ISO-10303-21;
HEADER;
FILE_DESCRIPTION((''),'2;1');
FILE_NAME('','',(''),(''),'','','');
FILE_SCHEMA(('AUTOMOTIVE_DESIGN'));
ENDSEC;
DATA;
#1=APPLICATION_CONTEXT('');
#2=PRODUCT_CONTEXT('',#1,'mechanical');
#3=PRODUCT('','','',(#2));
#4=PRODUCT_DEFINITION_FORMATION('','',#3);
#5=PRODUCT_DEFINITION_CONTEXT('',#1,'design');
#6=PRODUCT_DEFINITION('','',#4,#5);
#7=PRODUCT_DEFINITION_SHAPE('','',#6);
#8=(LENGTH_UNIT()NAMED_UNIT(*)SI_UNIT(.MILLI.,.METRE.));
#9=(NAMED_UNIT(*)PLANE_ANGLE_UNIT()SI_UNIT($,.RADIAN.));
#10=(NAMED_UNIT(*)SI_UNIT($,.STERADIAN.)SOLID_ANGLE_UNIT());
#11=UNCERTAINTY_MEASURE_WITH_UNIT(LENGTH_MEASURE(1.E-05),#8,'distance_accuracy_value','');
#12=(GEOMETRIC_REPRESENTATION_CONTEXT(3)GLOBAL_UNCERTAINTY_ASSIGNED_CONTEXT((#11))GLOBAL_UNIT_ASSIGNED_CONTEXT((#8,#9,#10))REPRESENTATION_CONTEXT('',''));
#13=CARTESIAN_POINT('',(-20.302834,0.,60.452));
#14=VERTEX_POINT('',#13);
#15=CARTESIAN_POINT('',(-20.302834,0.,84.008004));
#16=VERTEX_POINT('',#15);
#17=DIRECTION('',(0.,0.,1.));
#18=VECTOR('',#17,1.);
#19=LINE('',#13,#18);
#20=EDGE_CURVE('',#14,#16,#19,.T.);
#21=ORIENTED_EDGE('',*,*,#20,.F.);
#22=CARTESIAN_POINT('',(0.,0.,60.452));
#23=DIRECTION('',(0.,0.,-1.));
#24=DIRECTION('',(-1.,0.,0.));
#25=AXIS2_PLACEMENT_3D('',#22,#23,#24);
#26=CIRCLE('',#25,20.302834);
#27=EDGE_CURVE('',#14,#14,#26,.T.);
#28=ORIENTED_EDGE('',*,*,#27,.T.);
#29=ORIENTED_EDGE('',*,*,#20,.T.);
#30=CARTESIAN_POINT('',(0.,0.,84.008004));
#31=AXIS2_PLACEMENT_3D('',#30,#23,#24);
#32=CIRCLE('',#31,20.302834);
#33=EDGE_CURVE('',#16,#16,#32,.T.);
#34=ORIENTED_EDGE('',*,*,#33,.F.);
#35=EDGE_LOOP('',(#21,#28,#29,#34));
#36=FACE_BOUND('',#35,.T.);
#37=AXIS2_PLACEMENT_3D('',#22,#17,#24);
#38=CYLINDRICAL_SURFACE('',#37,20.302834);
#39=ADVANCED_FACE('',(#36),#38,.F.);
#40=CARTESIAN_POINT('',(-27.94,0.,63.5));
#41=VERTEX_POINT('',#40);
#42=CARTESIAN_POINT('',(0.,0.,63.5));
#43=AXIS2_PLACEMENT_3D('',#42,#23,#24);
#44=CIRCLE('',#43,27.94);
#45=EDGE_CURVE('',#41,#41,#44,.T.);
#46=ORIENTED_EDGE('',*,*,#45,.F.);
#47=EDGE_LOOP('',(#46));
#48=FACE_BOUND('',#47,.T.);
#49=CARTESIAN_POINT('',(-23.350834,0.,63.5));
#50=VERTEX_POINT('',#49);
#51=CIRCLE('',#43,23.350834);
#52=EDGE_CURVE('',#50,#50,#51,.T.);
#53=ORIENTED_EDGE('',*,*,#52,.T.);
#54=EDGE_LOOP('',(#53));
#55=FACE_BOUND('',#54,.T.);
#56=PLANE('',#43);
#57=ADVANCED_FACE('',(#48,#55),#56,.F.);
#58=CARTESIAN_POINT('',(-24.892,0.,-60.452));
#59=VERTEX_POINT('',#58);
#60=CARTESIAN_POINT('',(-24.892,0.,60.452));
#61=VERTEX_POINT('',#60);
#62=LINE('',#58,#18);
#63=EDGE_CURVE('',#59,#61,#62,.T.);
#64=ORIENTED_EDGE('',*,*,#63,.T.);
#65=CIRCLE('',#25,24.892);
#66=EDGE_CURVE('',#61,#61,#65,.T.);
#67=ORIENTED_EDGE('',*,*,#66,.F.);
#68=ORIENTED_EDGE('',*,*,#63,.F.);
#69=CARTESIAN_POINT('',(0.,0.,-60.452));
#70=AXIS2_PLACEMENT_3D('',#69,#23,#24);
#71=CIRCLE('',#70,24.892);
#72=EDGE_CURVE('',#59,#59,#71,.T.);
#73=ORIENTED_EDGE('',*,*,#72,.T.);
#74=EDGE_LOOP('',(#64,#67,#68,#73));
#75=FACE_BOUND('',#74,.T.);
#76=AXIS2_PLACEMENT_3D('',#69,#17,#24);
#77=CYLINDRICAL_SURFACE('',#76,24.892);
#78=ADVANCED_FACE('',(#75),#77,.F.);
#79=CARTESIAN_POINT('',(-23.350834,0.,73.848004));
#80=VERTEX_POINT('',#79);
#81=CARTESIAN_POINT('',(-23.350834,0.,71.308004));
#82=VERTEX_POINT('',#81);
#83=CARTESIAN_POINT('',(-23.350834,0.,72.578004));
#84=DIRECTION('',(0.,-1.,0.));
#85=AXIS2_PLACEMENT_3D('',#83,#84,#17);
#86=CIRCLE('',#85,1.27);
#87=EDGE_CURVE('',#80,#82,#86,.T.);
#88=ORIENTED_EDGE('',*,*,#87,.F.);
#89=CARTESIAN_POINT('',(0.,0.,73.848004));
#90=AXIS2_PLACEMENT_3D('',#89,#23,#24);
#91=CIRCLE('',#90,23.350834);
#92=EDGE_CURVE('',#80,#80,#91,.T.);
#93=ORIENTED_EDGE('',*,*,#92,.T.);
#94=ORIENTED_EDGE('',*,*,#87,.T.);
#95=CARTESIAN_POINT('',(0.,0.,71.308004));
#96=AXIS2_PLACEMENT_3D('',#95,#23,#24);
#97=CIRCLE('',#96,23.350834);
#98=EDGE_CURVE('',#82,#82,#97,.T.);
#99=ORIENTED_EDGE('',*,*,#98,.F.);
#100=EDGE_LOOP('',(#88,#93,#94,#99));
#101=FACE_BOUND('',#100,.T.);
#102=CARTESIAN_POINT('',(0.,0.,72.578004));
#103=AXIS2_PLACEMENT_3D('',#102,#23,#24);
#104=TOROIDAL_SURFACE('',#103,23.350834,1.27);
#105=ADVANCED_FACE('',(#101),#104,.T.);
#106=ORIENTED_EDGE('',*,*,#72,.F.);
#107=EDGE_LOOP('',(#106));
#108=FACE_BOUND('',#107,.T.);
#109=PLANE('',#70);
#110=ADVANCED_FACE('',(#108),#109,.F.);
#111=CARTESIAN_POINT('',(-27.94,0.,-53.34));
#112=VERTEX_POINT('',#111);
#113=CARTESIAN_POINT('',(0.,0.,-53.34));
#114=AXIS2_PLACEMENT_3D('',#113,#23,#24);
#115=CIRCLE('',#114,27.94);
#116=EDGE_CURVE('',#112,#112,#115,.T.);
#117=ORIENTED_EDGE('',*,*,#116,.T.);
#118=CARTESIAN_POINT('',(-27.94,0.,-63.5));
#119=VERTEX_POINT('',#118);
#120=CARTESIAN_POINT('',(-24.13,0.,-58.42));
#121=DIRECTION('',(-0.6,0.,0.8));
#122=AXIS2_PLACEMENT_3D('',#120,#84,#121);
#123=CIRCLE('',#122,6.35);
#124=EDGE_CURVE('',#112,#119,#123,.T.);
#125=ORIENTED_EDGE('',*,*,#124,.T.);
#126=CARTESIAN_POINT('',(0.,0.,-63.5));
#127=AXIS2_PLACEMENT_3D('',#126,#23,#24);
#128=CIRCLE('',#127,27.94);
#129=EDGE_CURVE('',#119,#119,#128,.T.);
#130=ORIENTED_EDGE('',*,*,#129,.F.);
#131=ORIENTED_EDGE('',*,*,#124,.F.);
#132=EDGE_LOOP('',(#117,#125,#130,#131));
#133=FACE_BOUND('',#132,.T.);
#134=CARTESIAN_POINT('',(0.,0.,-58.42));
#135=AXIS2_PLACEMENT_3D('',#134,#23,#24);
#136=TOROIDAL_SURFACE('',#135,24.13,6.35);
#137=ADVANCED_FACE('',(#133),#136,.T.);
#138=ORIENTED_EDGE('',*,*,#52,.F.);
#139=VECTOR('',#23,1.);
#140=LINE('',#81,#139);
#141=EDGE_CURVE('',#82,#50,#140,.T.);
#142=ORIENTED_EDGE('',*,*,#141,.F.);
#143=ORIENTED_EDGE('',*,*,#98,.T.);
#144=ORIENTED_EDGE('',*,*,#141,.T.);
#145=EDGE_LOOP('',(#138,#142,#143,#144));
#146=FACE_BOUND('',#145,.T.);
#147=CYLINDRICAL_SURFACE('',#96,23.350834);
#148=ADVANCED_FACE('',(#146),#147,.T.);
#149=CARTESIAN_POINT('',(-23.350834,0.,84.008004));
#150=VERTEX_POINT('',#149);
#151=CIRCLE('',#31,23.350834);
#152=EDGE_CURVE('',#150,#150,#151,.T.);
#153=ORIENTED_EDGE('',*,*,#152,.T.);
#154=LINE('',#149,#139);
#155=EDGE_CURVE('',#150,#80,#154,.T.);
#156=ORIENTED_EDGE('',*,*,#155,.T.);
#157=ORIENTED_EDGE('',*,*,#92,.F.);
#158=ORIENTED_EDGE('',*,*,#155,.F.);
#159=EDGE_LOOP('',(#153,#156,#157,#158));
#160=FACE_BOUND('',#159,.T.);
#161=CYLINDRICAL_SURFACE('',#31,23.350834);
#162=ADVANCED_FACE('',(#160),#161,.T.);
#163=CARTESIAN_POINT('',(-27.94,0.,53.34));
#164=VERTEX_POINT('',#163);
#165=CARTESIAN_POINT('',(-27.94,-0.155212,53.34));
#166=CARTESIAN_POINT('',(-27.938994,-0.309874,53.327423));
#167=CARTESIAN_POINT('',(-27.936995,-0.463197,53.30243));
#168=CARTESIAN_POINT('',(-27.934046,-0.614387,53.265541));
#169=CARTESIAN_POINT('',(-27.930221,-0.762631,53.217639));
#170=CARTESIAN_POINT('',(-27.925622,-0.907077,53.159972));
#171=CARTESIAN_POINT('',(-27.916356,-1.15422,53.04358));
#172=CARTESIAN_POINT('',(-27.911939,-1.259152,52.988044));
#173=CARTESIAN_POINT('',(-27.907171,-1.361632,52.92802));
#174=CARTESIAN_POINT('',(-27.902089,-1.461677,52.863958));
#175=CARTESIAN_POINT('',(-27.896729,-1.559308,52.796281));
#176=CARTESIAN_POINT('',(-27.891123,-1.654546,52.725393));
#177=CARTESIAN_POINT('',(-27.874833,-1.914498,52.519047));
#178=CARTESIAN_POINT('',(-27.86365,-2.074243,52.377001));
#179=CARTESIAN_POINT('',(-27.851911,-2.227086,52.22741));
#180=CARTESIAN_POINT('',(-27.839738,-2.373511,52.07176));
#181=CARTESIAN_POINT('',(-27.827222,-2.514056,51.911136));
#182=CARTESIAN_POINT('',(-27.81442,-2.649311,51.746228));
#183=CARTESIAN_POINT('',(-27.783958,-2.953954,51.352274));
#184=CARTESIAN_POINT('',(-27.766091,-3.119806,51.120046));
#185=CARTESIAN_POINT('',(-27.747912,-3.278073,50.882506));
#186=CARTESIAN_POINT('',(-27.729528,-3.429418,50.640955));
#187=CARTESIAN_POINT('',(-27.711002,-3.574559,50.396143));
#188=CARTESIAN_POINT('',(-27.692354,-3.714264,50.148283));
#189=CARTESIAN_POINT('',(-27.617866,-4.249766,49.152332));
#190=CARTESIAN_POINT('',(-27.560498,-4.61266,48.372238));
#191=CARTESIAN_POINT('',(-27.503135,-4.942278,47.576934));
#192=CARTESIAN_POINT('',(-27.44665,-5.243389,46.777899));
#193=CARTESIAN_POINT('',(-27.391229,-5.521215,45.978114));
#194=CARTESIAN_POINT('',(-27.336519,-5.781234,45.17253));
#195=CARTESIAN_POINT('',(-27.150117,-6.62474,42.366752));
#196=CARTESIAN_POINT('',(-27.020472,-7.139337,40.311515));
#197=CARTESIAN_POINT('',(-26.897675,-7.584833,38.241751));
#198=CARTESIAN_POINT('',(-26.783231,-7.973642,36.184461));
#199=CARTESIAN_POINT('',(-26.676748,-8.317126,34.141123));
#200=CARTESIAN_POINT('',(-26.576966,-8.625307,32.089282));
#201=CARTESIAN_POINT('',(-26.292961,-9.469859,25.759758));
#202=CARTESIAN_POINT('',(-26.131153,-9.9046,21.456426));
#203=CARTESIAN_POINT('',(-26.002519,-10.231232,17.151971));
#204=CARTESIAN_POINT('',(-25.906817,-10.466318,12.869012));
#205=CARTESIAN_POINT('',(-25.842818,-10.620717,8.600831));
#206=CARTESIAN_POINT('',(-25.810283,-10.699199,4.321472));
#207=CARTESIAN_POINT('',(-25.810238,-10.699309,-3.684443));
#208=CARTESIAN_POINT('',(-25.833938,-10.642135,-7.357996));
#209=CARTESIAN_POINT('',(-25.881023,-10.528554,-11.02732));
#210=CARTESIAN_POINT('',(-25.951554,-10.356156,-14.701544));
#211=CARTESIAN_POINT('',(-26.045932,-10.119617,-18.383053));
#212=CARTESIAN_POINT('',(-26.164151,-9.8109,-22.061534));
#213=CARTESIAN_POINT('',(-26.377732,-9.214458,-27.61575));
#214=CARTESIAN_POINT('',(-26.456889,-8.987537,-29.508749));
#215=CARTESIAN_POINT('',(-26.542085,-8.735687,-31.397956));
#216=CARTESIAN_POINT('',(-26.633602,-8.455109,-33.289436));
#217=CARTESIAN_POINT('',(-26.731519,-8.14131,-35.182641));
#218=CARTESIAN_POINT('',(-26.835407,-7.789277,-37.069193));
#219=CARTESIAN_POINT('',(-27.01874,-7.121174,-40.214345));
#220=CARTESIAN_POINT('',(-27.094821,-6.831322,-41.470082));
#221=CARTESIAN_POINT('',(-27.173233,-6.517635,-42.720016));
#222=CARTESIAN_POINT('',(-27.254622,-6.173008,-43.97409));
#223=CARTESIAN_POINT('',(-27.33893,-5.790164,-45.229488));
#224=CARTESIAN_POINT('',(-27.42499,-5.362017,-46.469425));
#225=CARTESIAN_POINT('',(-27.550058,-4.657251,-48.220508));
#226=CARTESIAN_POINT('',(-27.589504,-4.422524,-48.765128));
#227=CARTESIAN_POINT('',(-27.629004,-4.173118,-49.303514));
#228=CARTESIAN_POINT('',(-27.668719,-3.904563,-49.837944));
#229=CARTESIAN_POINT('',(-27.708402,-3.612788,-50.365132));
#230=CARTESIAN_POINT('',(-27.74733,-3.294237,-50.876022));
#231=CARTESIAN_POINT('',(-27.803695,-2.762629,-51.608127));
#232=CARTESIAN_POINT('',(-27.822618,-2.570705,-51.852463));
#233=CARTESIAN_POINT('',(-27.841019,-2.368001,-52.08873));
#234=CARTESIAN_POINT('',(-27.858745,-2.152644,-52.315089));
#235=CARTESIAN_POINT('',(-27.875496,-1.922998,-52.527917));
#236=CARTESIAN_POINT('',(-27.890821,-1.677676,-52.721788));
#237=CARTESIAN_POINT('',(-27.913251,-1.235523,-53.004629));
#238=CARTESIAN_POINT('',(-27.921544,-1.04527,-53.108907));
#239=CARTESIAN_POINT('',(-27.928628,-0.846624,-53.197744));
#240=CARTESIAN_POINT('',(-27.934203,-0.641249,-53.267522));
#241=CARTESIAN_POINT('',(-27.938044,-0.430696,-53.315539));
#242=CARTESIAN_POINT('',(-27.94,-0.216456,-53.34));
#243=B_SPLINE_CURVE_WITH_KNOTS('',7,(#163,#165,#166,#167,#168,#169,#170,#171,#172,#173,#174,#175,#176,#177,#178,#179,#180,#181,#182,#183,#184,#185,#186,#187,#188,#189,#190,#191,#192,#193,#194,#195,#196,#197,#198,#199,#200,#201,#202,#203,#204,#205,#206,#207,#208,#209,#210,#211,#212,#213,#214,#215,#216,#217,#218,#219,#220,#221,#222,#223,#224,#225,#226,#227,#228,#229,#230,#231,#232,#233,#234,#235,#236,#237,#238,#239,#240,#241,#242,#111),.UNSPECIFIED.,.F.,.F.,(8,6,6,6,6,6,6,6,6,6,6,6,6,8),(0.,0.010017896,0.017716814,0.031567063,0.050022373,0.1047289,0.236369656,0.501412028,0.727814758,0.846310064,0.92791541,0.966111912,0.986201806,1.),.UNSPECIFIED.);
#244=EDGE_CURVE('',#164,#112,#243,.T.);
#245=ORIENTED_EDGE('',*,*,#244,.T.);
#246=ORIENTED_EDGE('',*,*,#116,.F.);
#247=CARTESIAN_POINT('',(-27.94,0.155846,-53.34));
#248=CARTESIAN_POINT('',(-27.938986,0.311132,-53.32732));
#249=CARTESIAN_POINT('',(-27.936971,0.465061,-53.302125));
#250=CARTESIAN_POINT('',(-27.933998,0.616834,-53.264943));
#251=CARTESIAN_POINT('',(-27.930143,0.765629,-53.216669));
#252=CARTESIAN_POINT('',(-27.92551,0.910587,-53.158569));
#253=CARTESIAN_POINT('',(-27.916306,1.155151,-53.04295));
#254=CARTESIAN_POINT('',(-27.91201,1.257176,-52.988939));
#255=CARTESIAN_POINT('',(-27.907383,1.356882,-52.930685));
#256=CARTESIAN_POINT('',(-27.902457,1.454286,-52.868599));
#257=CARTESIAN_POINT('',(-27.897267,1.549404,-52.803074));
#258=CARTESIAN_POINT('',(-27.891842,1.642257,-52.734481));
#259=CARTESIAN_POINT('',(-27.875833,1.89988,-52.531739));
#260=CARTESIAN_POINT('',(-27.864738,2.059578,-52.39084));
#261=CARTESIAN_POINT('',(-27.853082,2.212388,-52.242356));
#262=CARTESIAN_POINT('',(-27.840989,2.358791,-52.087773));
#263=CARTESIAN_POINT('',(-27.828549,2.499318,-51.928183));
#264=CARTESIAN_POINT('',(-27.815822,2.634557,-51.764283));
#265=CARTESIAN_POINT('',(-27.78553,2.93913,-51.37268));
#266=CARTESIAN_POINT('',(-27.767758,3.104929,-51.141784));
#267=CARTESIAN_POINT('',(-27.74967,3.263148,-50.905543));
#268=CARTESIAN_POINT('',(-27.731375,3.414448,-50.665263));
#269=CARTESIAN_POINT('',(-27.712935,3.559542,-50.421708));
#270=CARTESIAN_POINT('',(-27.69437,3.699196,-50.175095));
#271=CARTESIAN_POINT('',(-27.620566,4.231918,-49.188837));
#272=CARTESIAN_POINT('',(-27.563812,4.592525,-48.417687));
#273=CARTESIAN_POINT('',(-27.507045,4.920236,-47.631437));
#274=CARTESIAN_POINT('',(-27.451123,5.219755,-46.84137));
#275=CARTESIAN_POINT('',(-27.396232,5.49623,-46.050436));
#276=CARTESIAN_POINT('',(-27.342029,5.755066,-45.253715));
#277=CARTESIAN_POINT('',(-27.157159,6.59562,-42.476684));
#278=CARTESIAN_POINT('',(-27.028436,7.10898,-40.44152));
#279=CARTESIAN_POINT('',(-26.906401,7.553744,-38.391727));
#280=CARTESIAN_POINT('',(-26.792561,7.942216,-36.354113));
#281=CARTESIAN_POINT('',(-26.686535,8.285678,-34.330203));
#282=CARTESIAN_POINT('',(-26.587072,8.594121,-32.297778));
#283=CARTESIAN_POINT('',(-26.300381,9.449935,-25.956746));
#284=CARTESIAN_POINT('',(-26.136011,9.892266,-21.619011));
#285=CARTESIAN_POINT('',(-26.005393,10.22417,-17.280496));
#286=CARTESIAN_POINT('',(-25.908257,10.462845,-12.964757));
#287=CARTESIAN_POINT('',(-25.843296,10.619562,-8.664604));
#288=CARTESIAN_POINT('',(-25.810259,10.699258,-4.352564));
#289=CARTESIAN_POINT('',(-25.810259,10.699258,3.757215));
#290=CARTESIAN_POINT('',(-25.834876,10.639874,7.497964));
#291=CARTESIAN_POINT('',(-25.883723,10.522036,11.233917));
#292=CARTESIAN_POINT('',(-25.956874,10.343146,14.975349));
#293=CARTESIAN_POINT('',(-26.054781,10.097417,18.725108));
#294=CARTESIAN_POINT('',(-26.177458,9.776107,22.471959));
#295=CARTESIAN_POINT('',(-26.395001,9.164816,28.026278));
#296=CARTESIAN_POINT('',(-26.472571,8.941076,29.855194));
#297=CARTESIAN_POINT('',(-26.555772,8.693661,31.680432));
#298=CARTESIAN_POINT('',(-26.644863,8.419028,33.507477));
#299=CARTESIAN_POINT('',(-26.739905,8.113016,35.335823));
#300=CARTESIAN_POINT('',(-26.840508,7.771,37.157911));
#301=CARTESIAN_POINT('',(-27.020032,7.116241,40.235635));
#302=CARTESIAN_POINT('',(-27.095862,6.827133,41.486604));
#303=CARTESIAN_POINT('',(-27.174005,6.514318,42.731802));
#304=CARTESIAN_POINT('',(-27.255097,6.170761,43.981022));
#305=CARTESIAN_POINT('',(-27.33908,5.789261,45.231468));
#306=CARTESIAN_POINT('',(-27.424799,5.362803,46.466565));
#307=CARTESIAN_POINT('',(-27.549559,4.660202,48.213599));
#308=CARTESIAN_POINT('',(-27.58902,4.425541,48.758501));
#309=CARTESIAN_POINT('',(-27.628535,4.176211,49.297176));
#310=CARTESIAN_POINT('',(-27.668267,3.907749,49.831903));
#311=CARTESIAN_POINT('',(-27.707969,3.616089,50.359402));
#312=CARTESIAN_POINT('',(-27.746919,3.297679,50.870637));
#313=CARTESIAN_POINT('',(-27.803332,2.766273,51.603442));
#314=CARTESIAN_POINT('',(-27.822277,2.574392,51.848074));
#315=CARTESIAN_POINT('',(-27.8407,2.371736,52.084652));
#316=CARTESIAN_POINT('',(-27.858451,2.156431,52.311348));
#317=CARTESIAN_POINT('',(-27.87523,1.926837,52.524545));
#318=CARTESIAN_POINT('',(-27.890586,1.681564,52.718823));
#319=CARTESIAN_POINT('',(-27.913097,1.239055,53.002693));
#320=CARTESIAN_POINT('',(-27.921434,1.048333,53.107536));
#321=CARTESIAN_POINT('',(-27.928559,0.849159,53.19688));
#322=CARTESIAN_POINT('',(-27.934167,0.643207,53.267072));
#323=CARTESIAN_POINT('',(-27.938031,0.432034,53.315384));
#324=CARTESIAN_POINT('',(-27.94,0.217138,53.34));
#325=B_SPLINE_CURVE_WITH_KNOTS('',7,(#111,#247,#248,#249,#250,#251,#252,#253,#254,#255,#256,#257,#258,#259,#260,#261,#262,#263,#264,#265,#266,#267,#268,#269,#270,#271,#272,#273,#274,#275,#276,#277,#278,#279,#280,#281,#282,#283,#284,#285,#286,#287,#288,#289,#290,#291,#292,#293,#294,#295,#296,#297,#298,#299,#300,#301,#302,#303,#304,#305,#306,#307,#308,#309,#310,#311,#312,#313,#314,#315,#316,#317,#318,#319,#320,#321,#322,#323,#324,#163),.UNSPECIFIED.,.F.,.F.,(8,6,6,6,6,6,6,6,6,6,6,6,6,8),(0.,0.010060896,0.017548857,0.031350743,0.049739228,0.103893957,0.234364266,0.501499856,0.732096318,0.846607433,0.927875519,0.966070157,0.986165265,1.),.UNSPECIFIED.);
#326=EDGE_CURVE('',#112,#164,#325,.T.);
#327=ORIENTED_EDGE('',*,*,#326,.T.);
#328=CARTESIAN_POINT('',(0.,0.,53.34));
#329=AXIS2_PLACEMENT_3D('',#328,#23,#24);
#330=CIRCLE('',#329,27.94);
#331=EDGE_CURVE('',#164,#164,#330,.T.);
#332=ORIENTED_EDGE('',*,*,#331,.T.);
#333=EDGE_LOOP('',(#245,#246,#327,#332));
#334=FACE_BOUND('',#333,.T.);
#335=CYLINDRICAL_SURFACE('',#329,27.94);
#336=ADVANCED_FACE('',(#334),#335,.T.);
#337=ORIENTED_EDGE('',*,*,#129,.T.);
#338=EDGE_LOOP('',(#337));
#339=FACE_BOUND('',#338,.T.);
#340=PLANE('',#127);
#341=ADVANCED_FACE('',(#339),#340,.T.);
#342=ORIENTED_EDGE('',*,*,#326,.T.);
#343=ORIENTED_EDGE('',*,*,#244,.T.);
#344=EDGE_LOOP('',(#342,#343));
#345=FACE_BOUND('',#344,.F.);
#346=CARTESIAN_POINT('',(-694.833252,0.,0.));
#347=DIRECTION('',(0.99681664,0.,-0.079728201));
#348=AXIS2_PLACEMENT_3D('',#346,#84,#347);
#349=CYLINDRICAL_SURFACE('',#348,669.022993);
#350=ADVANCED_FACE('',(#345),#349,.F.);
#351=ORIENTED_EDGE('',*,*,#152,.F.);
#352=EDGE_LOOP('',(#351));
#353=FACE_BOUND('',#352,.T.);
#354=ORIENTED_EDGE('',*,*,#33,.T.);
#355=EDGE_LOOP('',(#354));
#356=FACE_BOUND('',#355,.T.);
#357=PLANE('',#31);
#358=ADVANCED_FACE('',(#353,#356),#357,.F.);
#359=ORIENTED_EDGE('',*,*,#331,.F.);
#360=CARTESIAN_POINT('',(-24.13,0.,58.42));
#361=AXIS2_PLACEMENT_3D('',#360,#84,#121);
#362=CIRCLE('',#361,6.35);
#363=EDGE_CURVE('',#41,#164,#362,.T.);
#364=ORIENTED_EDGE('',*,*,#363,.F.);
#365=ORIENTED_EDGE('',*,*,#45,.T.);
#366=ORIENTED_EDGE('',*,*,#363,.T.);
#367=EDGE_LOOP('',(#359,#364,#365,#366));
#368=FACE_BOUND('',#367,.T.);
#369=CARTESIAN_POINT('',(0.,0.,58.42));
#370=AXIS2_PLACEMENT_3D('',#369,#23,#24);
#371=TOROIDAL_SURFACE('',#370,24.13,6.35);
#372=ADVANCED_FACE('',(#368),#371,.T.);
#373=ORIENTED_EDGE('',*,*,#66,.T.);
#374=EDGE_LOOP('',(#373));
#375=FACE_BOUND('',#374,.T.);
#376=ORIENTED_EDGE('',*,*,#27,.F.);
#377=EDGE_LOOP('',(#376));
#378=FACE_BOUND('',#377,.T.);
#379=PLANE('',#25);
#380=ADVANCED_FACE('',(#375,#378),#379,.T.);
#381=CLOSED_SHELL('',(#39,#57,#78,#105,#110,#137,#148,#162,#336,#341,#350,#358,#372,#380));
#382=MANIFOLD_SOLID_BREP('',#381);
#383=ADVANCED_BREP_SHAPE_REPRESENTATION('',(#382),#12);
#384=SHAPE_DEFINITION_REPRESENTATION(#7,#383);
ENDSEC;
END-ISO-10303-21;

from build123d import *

# Parameters (mm, degrees)
F3_DEPTH = 20.574


with BuildPart() as f1:
    # F0 (on Front) → F1 (revolve)
    with BuildSketch(Plane.XZ):
        with BuildLine():
            Line((-23.350834, 63.5), (-27.94, 63.5))
            ThreePointArc((-27.94, 63.5), (-30.48, 58.42), (-27.94, 53.34))
            Line((-27.94, 53.34), (-27.94, -53.34))
            ThreePointArc((-27.94, -53.34), (-30.48, -58.42), (-27.94, -63.5))
            Line((-27.94, -63.5), (0, -63.5))
            Line((0, -63.5), (0, -60.452))
            Line((0, -60.452), (-24.892, -60.452))
            Line((-24.892, -60.452), (-24.892, 54.112404))
            Line((-24.892, 54.112404), (-24.892, 60.452))
            Line((-24.892, 60.452), (-20.302834, 60.452))
            Line((-20.302834, 60.452), (-20.302834, 62.786241))
            Line((-20.302834, 62.786241), (-20.302834, 84.008004))
            Line((-20.302834, 84.008004), (-23.350834, 84.008004))
            Line((-23.350834, 84.008004), (-23.350834, 73.848004))
            ThreePointArc((-23.350834, 73.848004), (-24.620834, 72.578004), (-23.350834, 71.308004))
            Line((-23.350834, 71.308004), (-23.350834, 63.5))
        make_face()
    revolve(axis=Axis((0, 0, 10.254002), (0, 0, -1)))

    # F2 (on Front) → F3 (cut, symmetric)
    with BuildSketch(Plane.XZ):
        with BuildLine():
            ThreePointArc((-27.94, -53.34), (-25.810259, 0), (-27.94, 53.34))
            Line((-27.94, 53.34), (-30.737855, 53.34))
            Line((-30.737855, 53.34), (-31.303632, -53.34))
            Line((-31.303632, -53.34), (-27.94, -53.34))
        make_face()
    extrude(amount=F3_DEPTH, both=True, mode=Mode.SUBTRACT)


solid = f1.part
